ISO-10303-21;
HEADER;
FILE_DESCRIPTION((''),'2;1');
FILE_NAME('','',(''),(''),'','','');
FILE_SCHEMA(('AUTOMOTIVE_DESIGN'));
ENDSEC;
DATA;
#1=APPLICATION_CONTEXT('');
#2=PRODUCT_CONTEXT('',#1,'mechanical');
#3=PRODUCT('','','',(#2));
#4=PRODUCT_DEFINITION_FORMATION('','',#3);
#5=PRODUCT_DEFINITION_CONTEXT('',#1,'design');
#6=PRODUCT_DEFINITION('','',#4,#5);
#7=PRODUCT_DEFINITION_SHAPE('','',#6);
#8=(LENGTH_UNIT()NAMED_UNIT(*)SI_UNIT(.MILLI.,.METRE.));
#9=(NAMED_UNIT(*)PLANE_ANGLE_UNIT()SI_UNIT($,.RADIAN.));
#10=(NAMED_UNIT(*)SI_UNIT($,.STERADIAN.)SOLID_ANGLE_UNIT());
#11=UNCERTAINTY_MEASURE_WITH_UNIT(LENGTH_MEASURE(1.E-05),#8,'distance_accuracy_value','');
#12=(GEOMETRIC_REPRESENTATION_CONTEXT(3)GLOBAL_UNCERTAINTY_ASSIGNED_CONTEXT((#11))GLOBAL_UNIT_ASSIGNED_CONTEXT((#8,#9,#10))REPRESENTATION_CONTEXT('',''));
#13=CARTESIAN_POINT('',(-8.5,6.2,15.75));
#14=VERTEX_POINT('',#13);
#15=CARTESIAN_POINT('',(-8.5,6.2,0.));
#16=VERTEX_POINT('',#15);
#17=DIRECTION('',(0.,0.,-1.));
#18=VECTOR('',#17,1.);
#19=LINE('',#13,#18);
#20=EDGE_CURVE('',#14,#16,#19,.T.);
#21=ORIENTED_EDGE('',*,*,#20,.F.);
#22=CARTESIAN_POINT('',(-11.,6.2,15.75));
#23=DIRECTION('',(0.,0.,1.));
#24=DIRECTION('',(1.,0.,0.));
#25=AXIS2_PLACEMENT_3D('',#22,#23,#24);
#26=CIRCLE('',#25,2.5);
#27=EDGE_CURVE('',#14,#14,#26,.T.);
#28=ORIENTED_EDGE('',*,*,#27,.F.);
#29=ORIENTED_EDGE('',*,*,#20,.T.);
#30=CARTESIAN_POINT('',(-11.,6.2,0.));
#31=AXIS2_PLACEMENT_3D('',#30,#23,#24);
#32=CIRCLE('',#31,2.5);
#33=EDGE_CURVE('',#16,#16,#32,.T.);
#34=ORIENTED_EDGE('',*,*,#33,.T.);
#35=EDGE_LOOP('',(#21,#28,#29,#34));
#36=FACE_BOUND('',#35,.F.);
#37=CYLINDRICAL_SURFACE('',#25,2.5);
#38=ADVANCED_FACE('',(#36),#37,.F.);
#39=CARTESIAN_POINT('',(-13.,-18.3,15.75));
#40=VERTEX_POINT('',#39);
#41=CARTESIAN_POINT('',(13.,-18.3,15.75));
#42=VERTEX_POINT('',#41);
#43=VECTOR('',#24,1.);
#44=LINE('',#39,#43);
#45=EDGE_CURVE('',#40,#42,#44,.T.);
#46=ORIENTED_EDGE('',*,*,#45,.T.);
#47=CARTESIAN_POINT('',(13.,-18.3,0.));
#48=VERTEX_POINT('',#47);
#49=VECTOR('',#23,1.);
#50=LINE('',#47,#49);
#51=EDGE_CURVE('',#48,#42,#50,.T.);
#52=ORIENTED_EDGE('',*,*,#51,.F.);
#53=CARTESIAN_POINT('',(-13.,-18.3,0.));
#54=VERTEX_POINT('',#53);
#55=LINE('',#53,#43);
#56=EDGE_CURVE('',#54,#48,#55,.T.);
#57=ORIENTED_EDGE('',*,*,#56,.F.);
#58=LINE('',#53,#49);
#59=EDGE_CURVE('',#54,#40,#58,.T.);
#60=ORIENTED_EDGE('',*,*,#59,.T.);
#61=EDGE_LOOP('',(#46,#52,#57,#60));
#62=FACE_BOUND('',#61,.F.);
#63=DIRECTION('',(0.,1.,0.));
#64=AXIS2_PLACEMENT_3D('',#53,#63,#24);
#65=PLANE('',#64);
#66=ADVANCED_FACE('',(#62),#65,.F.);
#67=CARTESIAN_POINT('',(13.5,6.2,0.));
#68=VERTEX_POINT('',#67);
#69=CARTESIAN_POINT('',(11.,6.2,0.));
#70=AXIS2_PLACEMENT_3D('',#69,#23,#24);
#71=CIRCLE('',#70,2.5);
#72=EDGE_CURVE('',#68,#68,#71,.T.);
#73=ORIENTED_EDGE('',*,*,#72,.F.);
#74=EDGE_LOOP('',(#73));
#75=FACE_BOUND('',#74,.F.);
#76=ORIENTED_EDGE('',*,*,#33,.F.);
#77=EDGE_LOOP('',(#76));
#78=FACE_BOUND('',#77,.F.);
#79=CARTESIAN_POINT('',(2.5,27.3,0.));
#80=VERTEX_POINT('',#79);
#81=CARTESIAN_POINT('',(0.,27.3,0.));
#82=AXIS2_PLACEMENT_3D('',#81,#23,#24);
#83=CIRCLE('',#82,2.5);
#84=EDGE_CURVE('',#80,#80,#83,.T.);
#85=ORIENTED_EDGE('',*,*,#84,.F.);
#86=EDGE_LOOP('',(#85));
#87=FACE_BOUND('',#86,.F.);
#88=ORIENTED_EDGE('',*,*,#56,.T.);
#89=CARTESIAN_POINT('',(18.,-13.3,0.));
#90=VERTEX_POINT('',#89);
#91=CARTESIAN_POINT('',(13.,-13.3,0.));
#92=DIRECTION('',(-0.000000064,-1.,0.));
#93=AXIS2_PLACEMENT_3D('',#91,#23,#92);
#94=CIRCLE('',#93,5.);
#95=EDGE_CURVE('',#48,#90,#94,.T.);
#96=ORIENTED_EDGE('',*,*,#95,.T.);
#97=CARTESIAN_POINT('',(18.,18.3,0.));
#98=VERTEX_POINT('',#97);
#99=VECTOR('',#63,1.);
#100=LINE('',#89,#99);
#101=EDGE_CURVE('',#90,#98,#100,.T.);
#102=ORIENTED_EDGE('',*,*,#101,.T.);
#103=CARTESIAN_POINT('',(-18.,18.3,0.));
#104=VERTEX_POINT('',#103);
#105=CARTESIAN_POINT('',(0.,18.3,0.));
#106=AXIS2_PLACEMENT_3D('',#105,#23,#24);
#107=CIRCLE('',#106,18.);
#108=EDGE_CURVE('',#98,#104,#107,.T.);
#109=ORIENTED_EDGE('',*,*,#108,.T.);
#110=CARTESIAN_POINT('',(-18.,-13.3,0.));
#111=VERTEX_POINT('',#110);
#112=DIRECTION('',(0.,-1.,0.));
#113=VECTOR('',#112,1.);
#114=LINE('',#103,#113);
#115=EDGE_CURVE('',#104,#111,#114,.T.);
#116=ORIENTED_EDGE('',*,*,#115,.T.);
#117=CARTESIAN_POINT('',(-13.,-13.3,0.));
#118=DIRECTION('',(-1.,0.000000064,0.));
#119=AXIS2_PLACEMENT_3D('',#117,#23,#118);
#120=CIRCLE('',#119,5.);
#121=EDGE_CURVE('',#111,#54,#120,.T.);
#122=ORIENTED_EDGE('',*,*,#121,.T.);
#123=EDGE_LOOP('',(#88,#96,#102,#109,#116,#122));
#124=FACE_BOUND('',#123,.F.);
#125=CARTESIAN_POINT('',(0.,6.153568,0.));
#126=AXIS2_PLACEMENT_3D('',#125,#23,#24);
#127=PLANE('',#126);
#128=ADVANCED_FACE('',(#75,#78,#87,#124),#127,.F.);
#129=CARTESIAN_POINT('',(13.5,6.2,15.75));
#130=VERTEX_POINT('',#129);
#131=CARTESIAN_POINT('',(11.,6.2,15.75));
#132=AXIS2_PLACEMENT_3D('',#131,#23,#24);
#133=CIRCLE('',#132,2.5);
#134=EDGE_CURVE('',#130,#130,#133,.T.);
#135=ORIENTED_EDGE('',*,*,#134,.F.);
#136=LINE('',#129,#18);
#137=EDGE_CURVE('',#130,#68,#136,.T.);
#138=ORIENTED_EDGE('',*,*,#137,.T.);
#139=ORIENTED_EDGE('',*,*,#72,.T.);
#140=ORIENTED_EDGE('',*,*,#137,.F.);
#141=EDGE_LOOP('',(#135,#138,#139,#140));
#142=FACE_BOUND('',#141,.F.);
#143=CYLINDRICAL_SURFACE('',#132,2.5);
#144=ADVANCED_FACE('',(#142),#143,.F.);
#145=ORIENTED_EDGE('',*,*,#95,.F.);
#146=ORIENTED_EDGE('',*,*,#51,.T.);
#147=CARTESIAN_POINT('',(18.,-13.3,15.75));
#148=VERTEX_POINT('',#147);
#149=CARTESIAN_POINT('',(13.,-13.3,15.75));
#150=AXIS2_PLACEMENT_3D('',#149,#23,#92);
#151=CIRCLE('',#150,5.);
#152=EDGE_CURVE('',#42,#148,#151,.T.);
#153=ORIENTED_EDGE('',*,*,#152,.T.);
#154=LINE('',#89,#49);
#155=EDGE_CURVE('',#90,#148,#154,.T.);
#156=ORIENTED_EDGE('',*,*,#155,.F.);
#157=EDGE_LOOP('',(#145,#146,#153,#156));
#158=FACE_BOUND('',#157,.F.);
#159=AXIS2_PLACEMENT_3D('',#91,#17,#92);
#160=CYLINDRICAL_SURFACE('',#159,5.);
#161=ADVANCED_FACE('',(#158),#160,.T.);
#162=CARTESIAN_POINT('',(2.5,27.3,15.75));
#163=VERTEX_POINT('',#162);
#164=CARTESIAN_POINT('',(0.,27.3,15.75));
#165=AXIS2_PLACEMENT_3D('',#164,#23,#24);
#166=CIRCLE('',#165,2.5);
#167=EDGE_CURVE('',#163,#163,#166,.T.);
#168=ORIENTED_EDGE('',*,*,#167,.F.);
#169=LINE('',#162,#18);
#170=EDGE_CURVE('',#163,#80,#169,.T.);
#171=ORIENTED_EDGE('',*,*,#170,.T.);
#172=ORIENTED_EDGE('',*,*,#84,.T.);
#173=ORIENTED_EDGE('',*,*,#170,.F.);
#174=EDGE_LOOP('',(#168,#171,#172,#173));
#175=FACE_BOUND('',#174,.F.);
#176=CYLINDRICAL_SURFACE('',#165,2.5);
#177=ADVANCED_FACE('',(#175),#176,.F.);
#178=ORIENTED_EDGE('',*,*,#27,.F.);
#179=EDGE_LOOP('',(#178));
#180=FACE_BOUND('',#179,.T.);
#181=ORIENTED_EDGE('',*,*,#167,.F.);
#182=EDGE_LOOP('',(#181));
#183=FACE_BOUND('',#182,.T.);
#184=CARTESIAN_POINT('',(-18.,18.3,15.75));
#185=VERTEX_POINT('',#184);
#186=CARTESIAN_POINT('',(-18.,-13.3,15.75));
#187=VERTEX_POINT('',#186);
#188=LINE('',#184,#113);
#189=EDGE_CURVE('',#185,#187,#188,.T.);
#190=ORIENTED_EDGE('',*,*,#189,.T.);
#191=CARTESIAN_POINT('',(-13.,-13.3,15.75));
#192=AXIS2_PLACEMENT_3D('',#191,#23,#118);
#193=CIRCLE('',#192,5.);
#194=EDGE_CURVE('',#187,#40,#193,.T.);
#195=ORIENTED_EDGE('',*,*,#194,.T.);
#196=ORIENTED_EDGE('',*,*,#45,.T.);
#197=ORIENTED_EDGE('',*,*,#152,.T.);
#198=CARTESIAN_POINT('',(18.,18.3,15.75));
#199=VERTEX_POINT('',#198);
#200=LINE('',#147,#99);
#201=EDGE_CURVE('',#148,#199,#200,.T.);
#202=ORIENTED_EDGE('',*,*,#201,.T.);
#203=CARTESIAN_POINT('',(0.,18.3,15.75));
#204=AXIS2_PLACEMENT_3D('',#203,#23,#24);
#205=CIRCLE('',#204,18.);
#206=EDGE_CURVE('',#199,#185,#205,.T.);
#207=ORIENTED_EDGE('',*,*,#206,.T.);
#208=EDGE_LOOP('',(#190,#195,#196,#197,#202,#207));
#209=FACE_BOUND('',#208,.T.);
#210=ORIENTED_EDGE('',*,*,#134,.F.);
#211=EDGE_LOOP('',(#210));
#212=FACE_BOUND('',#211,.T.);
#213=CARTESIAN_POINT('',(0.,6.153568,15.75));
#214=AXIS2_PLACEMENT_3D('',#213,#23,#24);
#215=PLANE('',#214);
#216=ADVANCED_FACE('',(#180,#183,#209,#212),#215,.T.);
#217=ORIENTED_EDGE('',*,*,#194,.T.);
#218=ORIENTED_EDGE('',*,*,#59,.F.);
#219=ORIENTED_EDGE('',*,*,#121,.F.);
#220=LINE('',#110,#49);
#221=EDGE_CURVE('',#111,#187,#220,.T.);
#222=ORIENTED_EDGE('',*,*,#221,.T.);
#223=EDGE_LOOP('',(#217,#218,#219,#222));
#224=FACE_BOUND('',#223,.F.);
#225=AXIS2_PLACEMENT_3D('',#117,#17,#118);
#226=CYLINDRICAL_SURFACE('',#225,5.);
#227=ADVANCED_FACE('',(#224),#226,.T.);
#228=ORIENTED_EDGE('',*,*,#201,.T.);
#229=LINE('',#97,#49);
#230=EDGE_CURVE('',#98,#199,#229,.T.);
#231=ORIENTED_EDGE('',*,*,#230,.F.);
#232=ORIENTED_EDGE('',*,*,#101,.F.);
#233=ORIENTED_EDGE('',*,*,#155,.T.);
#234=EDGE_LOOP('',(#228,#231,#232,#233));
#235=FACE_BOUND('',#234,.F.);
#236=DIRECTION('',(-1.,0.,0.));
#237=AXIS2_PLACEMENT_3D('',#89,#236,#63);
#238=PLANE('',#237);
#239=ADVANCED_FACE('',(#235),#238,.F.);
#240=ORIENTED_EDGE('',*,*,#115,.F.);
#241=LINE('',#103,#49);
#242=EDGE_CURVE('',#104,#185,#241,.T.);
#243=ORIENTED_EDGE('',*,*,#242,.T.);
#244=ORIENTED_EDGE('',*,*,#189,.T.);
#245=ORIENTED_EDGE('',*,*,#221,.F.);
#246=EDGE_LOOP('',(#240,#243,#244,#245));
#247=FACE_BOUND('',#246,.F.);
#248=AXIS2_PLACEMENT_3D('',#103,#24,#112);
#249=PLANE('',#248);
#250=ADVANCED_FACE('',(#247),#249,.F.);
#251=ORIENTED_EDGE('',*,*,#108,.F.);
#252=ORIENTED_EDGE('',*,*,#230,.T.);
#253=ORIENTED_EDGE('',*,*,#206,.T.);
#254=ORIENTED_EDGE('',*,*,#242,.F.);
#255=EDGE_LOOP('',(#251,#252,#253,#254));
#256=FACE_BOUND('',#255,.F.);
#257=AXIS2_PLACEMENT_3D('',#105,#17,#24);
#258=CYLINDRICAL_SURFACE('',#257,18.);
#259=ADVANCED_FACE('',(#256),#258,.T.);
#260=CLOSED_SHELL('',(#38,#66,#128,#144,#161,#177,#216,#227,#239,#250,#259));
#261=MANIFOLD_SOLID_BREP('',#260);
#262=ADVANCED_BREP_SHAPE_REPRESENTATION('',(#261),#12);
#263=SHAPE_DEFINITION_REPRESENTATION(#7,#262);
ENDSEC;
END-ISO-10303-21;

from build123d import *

# Parameters (mm, degrees)
F1_DEPTH = 15.75
F2_R     = 2.5
F3_DEPTH = 15.751


with BuildPart() as f1:
    # F0 (on Top) → F1 (new body)
    with BuildSketch(Plane.XY):
        with BuildLine():
            ThreePointArc((-18, -13.3), (-16.535534, -16.835534), (-13, -18.3))
            Line((-13, -18.3), (13, -18.3))
            ThreePointArc((13, -18.3), (16.535534, -16.835534), (18, -13.3))
            Line((18, -13.3), (18, 18.3))
            ThreePointArc((18, 18.3), (0, 36.3), (-18, 18.3))
            Line((-18, 18.3), (-18, -13.3))
        make_face()
    extrude(amount=F1_DEPTH)

    # F2 (on face) → F3 (cut, through all)
    with BuildSketch(Plane.XY.offset(15.75)):
        with Locations((0, 27.3)):
            Circle(F2_R)
        with Locations((-11, 6.2)):
            Circle(F2_R)
        with Locations((11, 6.2)):
            Circle(F2_R)
    extrude(amount=-F3_DEPTH, mode=Mode.SUBTRACT)


solid = f1.part
